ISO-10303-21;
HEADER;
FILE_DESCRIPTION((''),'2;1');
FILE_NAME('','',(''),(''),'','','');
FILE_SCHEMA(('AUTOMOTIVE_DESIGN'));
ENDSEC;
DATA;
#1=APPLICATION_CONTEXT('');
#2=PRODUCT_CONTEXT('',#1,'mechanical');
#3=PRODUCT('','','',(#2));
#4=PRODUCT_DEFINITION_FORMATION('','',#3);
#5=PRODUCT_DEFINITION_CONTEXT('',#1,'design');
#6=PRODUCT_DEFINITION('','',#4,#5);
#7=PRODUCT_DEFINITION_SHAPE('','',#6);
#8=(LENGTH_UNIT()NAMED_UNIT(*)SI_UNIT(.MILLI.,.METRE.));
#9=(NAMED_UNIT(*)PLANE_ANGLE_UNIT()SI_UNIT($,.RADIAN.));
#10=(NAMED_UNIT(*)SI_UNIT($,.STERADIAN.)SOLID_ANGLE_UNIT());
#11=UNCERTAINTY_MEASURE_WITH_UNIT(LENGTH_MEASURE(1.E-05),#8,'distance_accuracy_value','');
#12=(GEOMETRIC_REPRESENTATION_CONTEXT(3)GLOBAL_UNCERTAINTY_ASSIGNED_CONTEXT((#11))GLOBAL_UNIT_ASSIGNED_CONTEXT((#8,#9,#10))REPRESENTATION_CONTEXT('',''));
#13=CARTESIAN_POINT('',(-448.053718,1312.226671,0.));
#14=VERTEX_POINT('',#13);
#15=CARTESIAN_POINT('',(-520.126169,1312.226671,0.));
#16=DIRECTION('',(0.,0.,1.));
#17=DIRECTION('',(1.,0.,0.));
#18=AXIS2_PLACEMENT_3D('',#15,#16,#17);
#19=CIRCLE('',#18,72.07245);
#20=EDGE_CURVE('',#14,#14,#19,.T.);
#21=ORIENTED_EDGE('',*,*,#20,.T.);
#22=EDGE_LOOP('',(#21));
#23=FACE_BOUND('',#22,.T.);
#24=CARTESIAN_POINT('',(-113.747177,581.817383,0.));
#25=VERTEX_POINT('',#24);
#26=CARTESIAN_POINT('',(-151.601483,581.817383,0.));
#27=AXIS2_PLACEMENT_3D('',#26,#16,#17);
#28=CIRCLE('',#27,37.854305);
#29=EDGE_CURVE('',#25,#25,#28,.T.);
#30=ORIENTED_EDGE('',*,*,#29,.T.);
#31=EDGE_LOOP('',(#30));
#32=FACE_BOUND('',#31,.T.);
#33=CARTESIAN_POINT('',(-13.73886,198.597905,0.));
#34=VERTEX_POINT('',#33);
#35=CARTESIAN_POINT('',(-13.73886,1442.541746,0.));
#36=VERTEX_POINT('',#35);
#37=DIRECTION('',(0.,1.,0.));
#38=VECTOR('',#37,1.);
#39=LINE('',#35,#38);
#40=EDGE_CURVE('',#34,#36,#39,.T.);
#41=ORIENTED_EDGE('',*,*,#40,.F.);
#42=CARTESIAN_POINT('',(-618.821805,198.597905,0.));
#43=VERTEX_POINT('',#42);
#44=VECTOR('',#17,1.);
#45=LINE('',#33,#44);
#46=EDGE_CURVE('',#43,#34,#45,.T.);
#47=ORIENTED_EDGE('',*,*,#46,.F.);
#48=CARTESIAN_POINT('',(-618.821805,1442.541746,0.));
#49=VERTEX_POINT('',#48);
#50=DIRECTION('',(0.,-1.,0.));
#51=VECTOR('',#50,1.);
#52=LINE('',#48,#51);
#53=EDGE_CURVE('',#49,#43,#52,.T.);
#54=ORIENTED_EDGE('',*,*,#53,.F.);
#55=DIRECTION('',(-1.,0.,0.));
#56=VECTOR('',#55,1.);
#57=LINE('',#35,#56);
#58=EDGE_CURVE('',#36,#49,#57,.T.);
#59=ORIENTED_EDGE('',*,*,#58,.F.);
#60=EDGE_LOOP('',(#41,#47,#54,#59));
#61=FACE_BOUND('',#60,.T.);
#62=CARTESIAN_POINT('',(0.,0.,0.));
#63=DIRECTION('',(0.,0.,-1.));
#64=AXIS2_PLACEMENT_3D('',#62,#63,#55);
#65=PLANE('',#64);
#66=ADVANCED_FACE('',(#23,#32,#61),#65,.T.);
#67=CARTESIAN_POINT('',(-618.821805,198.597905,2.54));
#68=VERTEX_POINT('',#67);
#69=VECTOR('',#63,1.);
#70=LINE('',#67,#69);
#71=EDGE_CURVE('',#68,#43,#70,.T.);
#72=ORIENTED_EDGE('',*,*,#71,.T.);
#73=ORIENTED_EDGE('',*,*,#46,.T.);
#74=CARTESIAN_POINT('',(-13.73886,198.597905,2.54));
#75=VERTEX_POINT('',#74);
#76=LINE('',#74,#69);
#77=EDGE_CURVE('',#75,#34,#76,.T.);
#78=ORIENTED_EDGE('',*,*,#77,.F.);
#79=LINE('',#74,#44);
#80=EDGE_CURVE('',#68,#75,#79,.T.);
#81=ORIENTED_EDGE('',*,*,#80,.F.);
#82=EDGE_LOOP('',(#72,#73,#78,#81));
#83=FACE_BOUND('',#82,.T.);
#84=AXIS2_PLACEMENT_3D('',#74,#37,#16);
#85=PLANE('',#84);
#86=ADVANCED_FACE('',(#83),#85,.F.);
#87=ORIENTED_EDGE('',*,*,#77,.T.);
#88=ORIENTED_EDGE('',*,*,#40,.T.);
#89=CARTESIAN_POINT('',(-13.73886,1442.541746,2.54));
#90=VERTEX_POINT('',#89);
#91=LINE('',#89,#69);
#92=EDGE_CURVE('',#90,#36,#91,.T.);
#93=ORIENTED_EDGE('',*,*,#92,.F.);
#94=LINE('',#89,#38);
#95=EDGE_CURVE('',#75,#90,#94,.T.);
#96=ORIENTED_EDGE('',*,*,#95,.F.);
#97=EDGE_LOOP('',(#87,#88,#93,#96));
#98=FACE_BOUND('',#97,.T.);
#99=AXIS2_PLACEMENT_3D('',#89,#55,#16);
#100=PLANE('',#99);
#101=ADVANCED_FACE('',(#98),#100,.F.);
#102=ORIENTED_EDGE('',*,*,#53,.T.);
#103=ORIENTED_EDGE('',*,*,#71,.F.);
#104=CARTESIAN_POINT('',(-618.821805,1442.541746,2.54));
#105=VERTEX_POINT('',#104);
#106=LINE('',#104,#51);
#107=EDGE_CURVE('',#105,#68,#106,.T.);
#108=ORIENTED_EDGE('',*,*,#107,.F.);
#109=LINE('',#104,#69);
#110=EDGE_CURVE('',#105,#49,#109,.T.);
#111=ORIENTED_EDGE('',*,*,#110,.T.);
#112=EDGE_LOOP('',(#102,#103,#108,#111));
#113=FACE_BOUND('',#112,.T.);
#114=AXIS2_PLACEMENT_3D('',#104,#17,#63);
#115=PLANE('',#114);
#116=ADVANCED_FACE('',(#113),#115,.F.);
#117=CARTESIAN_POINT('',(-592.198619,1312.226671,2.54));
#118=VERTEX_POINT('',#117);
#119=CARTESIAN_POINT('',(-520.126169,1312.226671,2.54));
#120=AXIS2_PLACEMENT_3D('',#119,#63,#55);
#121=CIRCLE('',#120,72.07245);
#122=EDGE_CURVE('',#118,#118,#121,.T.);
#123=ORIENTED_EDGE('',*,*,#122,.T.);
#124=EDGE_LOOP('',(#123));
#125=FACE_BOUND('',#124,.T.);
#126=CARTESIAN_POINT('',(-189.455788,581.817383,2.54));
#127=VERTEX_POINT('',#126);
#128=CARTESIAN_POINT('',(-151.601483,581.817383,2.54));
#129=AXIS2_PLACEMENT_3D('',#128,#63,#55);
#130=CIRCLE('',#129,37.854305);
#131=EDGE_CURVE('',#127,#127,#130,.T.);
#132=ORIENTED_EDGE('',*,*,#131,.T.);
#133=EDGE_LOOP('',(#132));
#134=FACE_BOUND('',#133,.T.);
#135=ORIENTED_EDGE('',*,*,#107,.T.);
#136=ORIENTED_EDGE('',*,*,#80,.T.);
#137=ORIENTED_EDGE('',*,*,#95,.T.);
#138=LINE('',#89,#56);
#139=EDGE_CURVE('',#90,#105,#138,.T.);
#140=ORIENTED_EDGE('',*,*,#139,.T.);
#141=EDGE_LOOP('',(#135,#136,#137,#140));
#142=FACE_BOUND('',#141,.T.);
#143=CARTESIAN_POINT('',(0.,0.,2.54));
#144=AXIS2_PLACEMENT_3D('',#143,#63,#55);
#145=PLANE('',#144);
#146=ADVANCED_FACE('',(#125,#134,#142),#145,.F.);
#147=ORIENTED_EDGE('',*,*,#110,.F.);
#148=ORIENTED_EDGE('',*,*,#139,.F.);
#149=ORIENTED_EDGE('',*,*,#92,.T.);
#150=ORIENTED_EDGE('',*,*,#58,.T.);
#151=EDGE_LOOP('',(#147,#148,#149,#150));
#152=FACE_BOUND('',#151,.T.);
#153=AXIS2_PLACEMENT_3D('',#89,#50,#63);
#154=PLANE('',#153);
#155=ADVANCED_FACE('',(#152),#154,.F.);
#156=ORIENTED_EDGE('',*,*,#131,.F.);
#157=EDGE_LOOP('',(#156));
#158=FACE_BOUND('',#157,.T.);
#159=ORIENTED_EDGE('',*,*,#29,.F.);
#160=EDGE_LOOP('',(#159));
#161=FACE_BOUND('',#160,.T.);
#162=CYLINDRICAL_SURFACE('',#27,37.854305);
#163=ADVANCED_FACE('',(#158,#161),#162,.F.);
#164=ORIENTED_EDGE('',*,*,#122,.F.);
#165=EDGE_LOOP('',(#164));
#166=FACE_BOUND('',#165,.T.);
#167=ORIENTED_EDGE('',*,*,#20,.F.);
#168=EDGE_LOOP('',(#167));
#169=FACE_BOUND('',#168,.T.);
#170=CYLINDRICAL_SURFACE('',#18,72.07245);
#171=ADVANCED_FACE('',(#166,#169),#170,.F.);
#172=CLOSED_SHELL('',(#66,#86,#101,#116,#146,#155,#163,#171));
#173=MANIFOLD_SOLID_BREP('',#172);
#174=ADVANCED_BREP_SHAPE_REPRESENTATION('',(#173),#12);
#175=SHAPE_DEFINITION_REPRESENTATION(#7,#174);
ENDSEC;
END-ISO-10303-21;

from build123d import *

# Parameters (mm, degrees)
SKETCH1_W               = 605.082945164
SKETCH1_H               = 1243.943840666
BOSS_EXTRUDE1_DEPTH     = 2.54
SKETCH3_R               = 72.07245037
SKETCH3_R_2             = 37.854305462
CUT_EXTRUDE1_DEPTH      = 1
CUT_EXTRUDE1_DEPTH_BACK = 3.54


with BuildPart() as part:
    # Sketch1 → Boss-Extrude1 (new body)
    with BuildSketch(Plane.XY):
        with Locations((-316.280332246, 820.569825563)):
            Rectangle(SKETCH1_W, SKETCH1_H)
    extrude(amount=BOSS_EXTRUDE1_DEPTH)

    # Sketch3 → Cut-Extrude1 (cut, two sides)
    with BuildSketch(Plane.XY.offset(2.54)) as cut_extrude1_sk:
        with Locations((-520.126168734, 1312.226670832)):
            Circle(SKETCH3_R)
        with Locations((-151.601482637, 581.817383071)):
            Circle(SKETCH3_R_2)
    extrude(amount=CUT_EXTRUDE1_DEPTH, mode=Mode.SUBTRACT)
    extrude(cut_extrude1_sk.sketch, amount=-CUT_EXTRUDE1_DEPTH_BACK, mode=Mode.SUBTRACT)


solid = part.part
